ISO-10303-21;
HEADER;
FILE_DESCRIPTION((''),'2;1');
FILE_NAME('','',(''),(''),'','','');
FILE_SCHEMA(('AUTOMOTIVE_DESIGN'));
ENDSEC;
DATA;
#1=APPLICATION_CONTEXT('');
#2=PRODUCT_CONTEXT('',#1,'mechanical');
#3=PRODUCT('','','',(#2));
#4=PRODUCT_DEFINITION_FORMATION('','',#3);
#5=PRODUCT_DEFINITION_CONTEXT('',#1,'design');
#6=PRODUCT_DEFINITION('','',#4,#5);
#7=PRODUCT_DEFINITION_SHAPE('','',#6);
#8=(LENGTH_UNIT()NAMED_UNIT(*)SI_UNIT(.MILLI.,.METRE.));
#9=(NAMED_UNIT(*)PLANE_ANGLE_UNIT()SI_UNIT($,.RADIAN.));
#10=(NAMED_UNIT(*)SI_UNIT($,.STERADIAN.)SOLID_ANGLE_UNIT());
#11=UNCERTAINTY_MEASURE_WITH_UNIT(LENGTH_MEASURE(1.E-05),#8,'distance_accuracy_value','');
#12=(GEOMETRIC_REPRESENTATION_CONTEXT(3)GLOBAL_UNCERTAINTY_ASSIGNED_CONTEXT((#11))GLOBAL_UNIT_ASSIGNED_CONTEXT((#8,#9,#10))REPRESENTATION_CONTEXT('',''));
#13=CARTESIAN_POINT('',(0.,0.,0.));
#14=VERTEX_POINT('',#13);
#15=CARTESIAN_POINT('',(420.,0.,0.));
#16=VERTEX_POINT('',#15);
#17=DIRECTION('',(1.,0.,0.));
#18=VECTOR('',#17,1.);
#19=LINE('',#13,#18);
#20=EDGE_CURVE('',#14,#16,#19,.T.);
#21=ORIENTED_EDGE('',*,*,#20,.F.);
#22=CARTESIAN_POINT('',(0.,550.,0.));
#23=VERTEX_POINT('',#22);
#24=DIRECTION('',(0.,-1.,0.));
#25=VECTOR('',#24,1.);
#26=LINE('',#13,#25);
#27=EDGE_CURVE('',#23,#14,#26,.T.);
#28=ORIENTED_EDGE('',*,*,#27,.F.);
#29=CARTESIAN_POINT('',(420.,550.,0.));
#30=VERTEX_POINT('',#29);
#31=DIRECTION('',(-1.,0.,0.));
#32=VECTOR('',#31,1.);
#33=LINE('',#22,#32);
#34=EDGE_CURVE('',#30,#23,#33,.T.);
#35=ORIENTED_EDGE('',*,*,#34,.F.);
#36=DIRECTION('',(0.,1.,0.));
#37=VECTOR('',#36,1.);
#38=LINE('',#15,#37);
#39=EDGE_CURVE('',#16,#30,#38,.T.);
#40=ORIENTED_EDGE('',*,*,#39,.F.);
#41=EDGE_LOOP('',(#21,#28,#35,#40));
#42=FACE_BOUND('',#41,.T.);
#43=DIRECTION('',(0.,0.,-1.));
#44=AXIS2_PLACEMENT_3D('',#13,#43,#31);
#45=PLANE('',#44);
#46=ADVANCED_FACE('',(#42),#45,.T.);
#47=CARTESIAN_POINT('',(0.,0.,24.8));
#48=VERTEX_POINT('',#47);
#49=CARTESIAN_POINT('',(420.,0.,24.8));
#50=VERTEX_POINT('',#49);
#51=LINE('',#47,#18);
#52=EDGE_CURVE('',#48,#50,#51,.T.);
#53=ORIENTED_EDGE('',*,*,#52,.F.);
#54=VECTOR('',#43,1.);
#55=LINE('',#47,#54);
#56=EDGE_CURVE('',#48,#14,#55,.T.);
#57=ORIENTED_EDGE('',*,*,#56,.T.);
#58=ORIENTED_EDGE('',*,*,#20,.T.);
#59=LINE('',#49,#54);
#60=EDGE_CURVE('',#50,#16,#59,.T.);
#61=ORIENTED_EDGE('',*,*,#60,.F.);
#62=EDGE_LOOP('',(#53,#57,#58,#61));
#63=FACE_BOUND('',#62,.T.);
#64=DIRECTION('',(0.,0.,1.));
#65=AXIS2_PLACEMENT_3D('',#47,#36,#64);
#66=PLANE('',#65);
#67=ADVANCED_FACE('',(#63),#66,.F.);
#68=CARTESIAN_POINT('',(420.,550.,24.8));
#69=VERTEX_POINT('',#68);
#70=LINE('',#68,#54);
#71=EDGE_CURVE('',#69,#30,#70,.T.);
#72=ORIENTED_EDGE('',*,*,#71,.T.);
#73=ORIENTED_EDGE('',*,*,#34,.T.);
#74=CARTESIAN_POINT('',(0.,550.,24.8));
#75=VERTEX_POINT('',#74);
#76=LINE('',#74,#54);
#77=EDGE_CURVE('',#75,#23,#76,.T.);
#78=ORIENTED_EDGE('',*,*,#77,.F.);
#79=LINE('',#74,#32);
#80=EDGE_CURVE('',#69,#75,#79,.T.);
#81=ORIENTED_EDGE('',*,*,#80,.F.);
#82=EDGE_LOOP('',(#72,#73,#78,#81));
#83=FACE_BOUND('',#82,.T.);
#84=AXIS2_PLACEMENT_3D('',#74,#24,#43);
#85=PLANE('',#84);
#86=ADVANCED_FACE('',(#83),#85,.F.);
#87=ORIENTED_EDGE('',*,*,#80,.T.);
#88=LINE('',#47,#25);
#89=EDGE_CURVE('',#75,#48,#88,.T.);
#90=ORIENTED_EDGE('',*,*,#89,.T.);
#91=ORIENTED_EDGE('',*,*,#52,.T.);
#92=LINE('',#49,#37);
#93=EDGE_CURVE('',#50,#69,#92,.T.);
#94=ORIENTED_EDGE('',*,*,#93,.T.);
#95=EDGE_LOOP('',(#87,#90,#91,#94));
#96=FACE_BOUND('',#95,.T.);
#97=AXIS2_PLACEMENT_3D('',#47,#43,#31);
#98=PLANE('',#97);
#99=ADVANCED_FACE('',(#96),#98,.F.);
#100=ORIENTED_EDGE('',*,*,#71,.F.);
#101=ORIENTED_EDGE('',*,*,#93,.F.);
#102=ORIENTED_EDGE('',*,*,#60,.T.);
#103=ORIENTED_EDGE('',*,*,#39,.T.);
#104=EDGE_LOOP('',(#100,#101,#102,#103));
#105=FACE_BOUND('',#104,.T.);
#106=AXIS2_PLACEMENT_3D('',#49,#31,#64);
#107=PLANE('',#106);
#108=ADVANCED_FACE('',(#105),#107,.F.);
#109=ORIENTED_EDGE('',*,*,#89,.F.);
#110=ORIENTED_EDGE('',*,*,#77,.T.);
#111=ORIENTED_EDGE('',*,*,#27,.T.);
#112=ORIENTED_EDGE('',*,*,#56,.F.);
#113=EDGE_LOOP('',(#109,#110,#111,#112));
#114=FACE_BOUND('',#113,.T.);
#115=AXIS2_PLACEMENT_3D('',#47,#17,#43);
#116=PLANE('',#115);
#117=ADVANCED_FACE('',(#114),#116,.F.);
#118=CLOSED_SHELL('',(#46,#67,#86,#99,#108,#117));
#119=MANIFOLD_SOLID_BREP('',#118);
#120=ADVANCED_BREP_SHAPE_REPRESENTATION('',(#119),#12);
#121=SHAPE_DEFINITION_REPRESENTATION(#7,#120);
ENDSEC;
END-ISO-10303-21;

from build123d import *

# Parameters (mm, degrees)
ESBO_O1_W                = 420
ESBO_O1_H                = 550
RESSALTO_EXTRUS_O1_DEPTH = 24.8


with BuildPart() as part:
    # Esboço1 → Ressalto-extrusão1 (new body)
    with BuildSketch(Plane.XY):
        with Locations((210, 275)):
            Rectangle(ESBO_O1_W, ESBO_O1_H)
    extrude(amount=RESSALTO_EXTRUS_O1_DEPTH)


solid = part.part
